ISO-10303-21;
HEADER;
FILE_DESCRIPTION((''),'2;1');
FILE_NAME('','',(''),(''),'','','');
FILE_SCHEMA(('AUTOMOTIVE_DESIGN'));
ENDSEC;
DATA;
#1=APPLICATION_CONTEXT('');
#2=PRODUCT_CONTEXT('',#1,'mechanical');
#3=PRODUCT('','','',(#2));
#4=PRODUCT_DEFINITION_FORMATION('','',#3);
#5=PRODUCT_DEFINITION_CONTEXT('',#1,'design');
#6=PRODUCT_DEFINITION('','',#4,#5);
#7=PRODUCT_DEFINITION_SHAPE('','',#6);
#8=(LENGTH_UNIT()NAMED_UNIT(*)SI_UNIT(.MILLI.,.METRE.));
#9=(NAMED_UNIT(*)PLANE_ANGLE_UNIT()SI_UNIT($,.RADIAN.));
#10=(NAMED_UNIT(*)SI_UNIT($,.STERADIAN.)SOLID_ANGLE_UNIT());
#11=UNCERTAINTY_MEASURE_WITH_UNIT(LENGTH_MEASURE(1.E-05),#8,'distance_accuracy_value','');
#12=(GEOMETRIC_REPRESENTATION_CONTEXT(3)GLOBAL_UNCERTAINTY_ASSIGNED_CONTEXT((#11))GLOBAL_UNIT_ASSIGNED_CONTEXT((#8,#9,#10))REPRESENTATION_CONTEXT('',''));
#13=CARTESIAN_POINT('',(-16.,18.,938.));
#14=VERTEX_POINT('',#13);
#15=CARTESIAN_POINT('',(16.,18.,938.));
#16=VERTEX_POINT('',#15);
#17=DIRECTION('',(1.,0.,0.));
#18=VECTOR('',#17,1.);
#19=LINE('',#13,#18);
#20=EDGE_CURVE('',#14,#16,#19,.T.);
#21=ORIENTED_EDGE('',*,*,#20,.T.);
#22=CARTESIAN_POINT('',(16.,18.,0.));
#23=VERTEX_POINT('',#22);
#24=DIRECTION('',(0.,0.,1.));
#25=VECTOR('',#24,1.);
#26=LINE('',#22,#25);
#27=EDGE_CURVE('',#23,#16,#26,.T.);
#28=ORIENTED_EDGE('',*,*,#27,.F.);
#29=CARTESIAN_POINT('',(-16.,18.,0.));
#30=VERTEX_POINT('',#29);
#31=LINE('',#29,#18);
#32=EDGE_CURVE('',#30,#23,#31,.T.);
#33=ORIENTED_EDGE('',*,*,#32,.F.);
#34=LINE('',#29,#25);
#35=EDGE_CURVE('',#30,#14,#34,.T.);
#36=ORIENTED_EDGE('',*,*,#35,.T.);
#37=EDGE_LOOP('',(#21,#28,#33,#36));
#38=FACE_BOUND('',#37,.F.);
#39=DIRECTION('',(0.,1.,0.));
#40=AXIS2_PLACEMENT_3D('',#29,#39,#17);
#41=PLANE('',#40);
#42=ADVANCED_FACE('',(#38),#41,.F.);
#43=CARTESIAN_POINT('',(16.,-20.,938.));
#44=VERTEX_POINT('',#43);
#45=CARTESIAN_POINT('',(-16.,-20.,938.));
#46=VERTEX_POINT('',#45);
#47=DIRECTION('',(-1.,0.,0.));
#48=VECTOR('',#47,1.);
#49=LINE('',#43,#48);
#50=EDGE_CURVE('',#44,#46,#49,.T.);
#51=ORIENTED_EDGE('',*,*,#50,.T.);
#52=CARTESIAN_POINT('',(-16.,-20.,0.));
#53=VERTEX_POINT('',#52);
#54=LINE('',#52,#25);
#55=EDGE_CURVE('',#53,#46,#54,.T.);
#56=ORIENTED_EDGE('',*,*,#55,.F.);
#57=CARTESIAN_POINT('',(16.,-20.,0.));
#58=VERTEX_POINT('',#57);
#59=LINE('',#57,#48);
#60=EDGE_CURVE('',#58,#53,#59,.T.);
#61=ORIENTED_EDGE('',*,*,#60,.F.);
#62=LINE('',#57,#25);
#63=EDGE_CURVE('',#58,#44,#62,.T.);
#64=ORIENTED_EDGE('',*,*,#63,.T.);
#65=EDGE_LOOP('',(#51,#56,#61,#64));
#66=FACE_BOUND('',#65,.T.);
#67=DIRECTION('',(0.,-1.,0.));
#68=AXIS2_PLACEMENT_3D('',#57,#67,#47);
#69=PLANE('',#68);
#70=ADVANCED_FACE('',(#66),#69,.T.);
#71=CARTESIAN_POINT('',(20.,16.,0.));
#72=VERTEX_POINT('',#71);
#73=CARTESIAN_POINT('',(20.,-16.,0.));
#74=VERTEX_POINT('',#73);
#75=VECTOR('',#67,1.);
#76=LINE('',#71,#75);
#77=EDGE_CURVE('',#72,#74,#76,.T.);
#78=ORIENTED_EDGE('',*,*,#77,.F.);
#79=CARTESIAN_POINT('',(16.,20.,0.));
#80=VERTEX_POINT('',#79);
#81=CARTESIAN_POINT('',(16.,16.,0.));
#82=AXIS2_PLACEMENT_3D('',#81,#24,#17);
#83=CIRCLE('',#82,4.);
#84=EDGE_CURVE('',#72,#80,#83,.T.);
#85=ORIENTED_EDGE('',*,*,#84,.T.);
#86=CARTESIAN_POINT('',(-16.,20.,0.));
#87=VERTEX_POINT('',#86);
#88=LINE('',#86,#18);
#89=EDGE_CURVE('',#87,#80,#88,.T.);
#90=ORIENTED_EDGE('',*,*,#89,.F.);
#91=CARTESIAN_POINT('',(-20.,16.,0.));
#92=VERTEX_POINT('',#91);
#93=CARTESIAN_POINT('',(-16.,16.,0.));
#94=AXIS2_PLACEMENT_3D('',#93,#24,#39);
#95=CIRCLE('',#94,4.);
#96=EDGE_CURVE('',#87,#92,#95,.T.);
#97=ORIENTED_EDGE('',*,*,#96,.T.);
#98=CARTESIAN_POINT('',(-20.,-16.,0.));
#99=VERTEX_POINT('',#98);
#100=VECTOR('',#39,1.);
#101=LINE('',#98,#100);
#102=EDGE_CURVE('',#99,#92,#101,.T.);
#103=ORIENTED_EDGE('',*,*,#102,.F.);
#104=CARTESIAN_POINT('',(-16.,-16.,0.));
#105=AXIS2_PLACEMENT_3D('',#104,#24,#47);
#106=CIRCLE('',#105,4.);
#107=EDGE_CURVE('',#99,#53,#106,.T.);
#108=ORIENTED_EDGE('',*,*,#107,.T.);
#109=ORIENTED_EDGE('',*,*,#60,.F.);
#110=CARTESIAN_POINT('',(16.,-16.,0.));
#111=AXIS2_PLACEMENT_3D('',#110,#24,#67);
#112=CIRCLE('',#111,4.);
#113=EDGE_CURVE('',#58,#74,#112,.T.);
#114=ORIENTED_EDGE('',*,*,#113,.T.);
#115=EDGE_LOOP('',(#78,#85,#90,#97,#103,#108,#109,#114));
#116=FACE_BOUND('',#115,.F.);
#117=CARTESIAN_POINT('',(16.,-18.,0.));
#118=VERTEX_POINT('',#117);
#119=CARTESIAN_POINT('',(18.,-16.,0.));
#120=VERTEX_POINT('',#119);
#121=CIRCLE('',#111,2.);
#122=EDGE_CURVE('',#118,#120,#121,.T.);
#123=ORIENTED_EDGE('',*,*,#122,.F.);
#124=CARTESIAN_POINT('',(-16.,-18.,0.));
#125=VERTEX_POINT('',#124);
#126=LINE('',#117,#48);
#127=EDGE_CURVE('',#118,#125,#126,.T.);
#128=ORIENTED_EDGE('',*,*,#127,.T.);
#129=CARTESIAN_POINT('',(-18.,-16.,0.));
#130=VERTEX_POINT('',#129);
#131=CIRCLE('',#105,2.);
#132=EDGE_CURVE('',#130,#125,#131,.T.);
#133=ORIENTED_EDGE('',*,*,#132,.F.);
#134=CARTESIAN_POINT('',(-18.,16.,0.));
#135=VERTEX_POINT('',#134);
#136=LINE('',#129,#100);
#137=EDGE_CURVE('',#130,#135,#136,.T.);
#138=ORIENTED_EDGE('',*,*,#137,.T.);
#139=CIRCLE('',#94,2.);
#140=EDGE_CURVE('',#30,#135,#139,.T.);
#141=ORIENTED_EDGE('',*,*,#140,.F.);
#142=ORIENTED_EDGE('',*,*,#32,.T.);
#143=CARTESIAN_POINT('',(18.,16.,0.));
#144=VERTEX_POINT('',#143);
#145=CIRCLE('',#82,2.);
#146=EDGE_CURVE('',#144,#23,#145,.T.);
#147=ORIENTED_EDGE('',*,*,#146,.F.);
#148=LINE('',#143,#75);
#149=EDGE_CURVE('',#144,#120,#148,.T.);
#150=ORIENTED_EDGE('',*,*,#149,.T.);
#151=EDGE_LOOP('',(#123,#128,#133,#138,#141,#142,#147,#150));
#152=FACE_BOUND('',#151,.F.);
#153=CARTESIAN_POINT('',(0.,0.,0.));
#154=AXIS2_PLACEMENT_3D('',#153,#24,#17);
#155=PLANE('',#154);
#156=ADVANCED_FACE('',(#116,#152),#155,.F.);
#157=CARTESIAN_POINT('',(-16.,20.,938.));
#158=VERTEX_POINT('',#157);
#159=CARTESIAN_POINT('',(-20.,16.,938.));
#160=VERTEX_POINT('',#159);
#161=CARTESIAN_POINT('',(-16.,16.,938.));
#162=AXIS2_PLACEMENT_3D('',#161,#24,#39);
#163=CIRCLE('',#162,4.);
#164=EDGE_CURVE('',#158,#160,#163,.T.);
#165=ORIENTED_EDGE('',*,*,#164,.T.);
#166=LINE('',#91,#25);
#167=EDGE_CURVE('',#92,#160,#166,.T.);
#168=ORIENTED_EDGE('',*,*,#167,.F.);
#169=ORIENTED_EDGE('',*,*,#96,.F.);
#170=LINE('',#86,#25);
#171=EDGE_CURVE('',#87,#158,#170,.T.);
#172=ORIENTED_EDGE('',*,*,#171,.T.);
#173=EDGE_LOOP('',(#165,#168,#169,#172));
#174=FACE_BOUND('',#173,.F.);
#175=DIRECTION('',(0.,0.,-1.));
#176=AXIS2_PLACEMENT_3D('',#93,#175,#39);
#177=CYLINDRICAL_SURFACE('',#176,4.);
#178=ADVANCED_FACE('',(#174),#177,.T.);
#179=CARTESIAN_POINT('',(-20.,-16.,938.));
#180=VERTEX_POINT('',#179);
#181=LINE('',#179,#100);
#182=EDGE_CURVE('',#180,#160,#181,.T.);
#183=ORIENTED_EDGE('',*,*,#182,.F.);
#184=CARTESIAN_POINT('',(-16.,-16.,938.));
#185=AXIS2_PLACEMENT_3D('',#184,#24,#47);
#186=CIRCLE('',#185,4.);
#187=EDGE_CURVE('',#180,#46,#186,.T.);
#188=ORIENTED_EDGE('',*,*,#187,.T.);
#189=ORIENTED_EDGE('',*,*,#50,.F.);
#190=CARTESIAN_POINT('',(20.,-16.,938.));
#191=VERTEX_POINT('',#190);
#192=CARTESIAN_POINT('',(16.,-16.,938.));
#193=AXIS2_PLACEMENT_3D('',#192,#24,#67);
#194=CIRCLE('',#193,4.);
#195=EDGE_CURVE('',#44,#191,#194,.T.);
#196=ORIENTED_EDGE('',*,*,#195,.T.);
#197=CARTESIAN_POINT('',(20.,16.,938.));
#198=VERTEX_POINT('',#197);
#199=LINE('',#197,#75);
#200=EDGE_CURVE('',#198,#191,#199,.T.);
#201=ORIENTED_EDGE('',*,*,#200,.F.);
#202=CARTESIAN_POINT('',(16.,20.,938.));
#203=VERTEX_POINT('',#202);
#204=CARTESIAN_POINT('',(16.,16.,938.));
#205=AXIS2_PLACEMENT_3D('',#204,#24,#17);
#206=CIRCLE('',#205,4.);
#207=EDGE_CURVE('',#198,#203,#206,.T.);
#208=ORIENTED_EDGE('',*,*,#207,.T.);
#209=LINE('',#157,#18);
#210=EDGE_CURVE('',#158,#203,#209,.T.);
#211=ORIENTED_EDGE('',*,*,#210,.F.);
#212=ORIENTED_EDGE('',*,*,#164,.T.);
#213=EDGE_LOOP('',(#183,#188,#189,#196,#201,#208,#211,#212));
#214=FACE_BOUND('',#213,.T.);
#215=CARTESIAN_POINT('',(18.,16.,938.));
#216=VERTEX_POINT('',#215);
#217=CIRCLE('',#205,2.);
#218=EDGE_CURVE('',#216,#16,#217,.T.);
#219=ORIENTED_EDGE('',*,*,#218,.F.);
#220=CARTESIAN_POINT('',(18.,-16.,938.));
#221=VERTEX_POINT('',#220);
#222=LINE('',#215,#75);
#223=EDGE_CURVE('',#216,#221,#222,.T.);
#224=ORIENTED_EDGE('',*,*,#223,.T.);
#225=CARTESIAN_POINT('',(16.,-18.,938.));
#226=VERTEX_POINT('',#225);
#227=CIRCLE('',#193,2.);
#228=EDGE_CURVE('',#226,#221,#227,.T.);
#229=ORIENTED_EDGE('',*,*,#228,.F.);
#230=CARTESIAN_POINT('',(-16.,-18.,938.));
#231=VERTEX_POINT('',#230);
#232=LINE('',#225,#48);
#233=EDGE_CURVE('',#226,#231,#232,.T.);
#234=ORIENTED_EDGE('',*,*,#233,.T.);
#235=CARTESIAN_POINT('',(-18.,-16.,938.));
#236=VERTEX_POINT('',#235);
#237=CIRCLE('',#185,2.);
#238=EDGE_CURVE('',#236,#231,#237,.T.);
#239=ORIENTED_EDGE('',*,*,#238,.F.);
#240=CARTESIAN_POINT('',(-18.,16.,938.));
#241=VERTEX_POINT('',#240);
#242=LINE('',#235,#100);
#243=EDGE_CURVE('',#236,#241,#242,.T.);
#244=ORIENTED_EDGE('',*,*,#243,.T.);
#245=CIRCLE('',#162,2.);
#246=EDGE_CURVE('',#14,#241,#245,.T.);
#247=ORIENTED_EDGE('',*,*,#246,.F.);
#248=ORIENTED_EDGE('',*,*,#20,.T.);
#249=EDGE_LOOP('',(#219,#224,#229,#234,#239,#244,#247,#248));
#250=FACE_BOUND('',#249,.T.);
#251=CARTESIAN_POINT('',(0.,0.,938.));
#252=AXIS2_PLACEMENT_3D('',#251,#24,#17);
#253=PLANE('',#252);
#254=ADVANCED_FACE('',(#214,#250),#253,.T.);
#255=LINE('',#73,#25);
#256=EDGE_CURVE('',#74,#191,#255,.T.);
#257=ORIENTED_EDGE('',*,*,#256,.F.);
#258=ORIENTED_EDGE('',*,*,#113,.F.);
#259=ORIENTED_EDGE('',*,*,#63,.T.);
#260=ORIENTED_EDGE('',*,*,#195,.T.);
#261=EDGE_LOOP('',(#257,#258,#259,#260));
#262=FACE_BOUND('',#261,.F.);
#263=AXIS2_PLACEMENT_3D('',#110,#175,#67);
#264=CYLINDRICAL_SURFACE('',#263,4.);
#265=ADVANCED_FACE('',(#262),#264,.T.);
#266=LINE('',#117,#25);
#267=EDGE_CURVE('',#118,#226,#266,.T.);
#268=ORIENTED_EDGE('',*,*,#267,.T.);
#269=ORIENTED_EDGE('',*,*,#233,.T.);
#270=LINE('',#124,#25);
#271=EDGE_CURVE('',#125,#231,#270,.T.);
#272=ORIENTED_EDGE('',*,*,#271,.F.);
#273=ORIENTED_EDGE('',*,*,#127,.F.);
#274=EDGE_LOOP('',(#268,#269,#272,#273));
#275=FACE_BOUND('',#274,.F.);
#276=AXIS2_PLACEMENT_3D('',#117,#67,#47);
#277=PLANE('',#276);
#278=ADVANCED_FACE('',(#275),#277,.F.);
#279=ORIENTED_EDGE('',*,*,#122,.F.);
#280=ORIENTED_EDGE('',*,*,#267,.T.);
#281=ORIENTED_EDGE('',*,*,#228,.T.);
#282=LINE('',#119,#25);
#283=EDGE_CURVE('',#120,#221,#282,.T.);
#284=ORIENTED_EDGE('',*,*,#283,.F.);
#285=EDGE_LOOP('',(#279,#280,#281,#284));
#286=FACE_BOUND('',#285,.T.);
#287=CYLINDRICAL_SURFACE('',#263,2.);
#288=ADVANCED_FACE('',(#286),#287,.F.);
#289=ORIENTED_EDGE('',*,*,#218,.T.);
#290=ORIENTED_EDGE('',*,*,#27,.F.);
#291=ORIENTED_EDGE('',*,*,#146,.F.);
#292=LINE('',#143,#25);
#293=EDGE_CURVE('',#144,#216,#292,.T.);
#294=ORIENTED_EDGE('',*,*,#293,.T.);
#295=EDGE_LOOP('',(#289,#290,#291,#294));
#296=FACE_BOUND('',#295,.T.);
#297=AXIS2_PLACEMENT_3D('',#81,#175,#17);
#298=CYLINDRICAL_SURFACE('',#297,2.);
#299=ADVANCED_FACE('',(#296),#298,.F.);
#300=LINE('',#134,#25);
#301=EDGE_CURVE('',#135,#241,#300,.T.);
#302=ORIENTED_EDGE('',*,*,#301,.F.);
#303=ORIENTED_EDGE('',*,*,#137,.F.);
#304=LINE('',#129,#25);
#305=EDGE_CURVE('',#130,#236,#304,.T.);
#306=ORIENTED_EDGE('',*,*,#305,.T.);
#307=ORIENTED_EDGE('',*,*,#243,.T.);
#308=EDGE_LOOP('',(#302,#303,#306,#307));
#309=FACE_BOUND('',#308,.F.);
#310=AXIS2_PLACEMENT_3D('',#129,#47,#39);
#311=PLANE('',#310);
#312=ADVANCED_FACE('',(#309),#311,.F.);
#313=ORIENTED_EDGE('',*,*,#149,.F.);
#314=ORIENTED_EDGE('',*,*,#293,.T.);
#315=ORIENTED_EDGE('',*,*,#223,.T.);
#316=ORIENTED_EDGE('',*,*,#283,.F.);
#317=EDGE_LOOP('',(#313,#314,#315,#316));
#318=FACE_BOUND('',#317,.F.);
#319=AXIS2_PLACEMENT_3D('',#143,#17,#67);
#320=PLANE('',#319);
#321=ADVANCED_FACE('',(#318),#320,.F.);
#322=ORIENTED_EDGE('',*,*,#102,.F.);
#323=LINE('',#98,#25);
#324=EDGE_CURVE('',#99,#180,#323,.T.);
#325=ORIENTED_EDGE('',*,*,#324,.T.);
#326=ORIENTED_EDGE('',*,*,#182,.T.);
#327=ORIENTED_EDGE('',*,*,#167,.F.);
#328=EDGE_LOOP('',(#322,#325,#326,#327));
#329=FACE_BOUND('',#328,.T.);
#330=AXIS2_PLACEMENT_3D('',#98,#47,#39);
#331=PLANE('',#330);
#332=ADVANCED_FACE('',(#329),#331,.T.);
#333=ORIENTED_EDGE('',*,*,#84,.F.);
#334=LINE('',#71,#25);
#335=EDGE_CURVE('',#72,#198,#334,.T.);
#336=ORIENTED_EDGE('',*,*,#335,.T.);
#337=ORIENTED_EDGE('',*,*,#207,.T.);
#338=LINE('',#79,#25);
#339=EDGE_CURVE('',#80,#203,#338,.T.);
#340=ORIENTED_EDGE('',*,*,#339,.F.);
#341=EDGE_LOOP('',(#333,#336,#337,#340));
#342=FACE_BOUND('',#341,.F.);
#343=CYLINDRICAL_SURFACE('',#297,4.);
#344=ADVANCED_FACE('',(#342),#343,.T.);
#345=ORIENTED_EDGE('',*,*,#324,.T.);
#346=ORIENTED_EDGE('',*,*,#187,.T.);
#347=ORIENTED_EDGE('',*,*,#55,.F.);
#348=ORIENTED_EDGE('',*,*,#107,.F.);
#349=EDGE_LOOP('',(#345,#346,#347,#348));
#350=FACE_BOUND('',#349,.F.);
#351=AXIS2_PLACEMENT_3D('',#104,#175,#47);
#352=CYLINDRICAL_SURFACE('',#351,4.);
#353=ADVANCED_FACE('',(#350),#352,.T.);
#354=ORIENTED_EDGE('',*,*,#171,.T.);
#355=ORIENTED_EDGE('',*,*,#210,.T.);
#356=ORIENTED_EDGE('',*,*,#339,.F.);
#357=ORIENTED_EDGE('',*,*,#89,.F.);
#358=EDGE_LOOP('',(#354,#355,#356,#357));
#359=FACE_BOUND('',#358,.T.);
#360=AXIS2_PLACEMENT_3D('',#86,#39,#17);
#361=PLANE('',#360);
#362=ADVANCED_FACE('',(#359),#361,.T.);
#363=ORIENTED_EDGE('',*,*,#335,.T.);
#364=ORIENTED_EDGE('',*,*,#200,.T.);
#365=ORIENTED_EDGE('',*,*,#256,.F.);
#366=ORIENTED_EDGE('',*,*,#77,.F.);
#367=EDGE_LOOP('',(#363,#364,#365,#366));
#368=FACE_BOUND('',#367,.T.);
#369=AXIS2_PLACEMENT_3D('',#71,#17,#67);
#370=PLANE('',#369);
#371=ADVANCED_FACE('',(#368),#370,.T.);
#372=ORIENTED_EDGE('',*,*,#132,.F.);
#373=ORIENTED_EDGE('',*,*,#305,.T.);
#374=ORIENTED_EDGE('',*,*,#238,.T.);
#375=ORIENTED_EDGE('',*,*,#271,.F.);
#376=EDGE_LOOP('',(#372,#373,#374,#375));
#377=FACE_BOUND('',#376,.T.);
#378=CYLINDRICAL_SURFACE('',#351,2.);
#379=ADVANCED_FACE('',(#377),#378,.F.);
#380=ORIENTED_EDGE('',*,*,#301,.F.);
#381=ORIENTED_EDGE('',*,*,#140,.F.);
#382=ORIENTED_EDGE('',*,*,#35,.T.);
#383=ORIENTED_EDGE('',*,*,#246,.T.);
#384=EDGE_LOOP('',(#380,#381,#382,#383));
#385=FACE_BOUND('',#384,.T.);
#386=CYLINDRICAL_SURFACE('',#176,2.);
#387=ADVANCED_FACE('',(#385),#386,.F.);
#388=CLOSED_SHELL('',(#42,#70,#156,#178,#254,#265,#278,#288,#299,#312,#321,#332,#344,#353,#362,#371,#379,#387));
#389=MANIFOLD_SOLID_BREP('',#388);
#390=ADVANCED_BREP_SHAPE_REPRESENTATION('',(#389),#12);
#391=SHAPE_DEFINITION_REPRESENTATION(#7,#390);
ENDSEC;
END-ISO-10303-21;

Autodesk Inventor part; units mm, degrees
ref_plane "YZ Plane" through (0, 0, 0) normal (1, 0, 0) x (0, 1, 0)
ref_plane "Start Plane" through (0, 0, 0) normal (0, 0, 1) x (1, 0, 0)
ref_plane "End Plane" through (0, 0, 938) normal (0, 0, 1) x (1, 0, 0)
sketch "Sketch" plane through (0, 0, 0) normal (0, 0, 1) x (1, 0, 0)
  line L0 (-20, -16) -> (-20, 16)
  line L1 (-16, 20) -> (16, 20)
  line L2 (20, 16) -> (20, -16)
  line L3 (16, -20) -> (-16, -20)
  arc A0 (-20, -16) -> (-16, -20) centre (-16, -16) ccw
  arc A1 (20, 16) -> (16, 20) centre (16, 16) ccw
  arc A2 (-16, 20) -> (-20, 16) centre (-16, 16) ccw
  arc A3 (16, -20) -> (20, -16) centre (16, -16) ccw
  arc A4 (-16, 18) -> (-18, 16) centre (-16, 16) ccw
  line L4 (-16, 18) -> (16, 18)
  arc A5 (18, 16) -> (16, 18) centre (16, 16) ccw
  line L5 (18, 16) -> (18, -16)
  arc A6 (16, -18) -> (18, -16) centre (16, -16) ccw
  line L6 (16, -18) -> (-16, -18)
  arc A7 (-18, -16) -> (-16, -18) centre (-16, -16) ccw
  line L7 (-18, -16) -> (-18, 16)
  line L8 (0, 29.1598) -> (0, -29.1598) construction
  line L9 (-29.1598, 0) -> (29.1598, 0) construction
  dimension "d7" = 4
  dimension "d9" = 40
  dimension "d11" = 40
  dimension "d12" = 2
  dimension "d15" = 20
  dimension "d16" = 20
extrude "Body" add sketch "Sketch" along normal up to surface (938 mm away) from surface at 0
sketch "Sketch3" plane through (0, 0, 0) normal (0, 0, 1) x (1, 0, 0)
  line L0 (0, 0) -> (10, 0)
ref_plane "Work Plane3" through (0, 0, 0) normal (0, -1, 0) x (1, 0, 0)
sketch "Sketch4" plane through (0, 0, 0) normal (0, -1, 0) x (1, 0, 0)
  line L0 (-2, 0) -> (12, 0) projected
  line L1 (-2, 938) -> (12, 938) projected
  dimension "d18" = 938
equation "\"d7\" = G_IR"
equation "\"d9\" = G_W"
equation "\"d11\" = G_H"
equation "\"d12\" = G_T"
equation "\"d15\" = 0.5 * d9"
equation "\"d16\" = 0.5 * d11"
equation "\"d3\" = G_L"
equation "\"G_W\" = 40"
equation "\"G_H\" = 40"
equation "\"G_T\" = 2"
equation "\"G_IR\" = 4"
equation "\"G_L\" = d18"
equation "\"G_OFFSET_START\" = 0"
equation "\"G_OFFSET_END\" = 0"
equation "\"d14\" = G_OFFSET_END + B_L"
equation "\"B_L\" = 938"
properties part number "ISO 4019 - 40x40x2 - 938" material "Steel, Mild"
